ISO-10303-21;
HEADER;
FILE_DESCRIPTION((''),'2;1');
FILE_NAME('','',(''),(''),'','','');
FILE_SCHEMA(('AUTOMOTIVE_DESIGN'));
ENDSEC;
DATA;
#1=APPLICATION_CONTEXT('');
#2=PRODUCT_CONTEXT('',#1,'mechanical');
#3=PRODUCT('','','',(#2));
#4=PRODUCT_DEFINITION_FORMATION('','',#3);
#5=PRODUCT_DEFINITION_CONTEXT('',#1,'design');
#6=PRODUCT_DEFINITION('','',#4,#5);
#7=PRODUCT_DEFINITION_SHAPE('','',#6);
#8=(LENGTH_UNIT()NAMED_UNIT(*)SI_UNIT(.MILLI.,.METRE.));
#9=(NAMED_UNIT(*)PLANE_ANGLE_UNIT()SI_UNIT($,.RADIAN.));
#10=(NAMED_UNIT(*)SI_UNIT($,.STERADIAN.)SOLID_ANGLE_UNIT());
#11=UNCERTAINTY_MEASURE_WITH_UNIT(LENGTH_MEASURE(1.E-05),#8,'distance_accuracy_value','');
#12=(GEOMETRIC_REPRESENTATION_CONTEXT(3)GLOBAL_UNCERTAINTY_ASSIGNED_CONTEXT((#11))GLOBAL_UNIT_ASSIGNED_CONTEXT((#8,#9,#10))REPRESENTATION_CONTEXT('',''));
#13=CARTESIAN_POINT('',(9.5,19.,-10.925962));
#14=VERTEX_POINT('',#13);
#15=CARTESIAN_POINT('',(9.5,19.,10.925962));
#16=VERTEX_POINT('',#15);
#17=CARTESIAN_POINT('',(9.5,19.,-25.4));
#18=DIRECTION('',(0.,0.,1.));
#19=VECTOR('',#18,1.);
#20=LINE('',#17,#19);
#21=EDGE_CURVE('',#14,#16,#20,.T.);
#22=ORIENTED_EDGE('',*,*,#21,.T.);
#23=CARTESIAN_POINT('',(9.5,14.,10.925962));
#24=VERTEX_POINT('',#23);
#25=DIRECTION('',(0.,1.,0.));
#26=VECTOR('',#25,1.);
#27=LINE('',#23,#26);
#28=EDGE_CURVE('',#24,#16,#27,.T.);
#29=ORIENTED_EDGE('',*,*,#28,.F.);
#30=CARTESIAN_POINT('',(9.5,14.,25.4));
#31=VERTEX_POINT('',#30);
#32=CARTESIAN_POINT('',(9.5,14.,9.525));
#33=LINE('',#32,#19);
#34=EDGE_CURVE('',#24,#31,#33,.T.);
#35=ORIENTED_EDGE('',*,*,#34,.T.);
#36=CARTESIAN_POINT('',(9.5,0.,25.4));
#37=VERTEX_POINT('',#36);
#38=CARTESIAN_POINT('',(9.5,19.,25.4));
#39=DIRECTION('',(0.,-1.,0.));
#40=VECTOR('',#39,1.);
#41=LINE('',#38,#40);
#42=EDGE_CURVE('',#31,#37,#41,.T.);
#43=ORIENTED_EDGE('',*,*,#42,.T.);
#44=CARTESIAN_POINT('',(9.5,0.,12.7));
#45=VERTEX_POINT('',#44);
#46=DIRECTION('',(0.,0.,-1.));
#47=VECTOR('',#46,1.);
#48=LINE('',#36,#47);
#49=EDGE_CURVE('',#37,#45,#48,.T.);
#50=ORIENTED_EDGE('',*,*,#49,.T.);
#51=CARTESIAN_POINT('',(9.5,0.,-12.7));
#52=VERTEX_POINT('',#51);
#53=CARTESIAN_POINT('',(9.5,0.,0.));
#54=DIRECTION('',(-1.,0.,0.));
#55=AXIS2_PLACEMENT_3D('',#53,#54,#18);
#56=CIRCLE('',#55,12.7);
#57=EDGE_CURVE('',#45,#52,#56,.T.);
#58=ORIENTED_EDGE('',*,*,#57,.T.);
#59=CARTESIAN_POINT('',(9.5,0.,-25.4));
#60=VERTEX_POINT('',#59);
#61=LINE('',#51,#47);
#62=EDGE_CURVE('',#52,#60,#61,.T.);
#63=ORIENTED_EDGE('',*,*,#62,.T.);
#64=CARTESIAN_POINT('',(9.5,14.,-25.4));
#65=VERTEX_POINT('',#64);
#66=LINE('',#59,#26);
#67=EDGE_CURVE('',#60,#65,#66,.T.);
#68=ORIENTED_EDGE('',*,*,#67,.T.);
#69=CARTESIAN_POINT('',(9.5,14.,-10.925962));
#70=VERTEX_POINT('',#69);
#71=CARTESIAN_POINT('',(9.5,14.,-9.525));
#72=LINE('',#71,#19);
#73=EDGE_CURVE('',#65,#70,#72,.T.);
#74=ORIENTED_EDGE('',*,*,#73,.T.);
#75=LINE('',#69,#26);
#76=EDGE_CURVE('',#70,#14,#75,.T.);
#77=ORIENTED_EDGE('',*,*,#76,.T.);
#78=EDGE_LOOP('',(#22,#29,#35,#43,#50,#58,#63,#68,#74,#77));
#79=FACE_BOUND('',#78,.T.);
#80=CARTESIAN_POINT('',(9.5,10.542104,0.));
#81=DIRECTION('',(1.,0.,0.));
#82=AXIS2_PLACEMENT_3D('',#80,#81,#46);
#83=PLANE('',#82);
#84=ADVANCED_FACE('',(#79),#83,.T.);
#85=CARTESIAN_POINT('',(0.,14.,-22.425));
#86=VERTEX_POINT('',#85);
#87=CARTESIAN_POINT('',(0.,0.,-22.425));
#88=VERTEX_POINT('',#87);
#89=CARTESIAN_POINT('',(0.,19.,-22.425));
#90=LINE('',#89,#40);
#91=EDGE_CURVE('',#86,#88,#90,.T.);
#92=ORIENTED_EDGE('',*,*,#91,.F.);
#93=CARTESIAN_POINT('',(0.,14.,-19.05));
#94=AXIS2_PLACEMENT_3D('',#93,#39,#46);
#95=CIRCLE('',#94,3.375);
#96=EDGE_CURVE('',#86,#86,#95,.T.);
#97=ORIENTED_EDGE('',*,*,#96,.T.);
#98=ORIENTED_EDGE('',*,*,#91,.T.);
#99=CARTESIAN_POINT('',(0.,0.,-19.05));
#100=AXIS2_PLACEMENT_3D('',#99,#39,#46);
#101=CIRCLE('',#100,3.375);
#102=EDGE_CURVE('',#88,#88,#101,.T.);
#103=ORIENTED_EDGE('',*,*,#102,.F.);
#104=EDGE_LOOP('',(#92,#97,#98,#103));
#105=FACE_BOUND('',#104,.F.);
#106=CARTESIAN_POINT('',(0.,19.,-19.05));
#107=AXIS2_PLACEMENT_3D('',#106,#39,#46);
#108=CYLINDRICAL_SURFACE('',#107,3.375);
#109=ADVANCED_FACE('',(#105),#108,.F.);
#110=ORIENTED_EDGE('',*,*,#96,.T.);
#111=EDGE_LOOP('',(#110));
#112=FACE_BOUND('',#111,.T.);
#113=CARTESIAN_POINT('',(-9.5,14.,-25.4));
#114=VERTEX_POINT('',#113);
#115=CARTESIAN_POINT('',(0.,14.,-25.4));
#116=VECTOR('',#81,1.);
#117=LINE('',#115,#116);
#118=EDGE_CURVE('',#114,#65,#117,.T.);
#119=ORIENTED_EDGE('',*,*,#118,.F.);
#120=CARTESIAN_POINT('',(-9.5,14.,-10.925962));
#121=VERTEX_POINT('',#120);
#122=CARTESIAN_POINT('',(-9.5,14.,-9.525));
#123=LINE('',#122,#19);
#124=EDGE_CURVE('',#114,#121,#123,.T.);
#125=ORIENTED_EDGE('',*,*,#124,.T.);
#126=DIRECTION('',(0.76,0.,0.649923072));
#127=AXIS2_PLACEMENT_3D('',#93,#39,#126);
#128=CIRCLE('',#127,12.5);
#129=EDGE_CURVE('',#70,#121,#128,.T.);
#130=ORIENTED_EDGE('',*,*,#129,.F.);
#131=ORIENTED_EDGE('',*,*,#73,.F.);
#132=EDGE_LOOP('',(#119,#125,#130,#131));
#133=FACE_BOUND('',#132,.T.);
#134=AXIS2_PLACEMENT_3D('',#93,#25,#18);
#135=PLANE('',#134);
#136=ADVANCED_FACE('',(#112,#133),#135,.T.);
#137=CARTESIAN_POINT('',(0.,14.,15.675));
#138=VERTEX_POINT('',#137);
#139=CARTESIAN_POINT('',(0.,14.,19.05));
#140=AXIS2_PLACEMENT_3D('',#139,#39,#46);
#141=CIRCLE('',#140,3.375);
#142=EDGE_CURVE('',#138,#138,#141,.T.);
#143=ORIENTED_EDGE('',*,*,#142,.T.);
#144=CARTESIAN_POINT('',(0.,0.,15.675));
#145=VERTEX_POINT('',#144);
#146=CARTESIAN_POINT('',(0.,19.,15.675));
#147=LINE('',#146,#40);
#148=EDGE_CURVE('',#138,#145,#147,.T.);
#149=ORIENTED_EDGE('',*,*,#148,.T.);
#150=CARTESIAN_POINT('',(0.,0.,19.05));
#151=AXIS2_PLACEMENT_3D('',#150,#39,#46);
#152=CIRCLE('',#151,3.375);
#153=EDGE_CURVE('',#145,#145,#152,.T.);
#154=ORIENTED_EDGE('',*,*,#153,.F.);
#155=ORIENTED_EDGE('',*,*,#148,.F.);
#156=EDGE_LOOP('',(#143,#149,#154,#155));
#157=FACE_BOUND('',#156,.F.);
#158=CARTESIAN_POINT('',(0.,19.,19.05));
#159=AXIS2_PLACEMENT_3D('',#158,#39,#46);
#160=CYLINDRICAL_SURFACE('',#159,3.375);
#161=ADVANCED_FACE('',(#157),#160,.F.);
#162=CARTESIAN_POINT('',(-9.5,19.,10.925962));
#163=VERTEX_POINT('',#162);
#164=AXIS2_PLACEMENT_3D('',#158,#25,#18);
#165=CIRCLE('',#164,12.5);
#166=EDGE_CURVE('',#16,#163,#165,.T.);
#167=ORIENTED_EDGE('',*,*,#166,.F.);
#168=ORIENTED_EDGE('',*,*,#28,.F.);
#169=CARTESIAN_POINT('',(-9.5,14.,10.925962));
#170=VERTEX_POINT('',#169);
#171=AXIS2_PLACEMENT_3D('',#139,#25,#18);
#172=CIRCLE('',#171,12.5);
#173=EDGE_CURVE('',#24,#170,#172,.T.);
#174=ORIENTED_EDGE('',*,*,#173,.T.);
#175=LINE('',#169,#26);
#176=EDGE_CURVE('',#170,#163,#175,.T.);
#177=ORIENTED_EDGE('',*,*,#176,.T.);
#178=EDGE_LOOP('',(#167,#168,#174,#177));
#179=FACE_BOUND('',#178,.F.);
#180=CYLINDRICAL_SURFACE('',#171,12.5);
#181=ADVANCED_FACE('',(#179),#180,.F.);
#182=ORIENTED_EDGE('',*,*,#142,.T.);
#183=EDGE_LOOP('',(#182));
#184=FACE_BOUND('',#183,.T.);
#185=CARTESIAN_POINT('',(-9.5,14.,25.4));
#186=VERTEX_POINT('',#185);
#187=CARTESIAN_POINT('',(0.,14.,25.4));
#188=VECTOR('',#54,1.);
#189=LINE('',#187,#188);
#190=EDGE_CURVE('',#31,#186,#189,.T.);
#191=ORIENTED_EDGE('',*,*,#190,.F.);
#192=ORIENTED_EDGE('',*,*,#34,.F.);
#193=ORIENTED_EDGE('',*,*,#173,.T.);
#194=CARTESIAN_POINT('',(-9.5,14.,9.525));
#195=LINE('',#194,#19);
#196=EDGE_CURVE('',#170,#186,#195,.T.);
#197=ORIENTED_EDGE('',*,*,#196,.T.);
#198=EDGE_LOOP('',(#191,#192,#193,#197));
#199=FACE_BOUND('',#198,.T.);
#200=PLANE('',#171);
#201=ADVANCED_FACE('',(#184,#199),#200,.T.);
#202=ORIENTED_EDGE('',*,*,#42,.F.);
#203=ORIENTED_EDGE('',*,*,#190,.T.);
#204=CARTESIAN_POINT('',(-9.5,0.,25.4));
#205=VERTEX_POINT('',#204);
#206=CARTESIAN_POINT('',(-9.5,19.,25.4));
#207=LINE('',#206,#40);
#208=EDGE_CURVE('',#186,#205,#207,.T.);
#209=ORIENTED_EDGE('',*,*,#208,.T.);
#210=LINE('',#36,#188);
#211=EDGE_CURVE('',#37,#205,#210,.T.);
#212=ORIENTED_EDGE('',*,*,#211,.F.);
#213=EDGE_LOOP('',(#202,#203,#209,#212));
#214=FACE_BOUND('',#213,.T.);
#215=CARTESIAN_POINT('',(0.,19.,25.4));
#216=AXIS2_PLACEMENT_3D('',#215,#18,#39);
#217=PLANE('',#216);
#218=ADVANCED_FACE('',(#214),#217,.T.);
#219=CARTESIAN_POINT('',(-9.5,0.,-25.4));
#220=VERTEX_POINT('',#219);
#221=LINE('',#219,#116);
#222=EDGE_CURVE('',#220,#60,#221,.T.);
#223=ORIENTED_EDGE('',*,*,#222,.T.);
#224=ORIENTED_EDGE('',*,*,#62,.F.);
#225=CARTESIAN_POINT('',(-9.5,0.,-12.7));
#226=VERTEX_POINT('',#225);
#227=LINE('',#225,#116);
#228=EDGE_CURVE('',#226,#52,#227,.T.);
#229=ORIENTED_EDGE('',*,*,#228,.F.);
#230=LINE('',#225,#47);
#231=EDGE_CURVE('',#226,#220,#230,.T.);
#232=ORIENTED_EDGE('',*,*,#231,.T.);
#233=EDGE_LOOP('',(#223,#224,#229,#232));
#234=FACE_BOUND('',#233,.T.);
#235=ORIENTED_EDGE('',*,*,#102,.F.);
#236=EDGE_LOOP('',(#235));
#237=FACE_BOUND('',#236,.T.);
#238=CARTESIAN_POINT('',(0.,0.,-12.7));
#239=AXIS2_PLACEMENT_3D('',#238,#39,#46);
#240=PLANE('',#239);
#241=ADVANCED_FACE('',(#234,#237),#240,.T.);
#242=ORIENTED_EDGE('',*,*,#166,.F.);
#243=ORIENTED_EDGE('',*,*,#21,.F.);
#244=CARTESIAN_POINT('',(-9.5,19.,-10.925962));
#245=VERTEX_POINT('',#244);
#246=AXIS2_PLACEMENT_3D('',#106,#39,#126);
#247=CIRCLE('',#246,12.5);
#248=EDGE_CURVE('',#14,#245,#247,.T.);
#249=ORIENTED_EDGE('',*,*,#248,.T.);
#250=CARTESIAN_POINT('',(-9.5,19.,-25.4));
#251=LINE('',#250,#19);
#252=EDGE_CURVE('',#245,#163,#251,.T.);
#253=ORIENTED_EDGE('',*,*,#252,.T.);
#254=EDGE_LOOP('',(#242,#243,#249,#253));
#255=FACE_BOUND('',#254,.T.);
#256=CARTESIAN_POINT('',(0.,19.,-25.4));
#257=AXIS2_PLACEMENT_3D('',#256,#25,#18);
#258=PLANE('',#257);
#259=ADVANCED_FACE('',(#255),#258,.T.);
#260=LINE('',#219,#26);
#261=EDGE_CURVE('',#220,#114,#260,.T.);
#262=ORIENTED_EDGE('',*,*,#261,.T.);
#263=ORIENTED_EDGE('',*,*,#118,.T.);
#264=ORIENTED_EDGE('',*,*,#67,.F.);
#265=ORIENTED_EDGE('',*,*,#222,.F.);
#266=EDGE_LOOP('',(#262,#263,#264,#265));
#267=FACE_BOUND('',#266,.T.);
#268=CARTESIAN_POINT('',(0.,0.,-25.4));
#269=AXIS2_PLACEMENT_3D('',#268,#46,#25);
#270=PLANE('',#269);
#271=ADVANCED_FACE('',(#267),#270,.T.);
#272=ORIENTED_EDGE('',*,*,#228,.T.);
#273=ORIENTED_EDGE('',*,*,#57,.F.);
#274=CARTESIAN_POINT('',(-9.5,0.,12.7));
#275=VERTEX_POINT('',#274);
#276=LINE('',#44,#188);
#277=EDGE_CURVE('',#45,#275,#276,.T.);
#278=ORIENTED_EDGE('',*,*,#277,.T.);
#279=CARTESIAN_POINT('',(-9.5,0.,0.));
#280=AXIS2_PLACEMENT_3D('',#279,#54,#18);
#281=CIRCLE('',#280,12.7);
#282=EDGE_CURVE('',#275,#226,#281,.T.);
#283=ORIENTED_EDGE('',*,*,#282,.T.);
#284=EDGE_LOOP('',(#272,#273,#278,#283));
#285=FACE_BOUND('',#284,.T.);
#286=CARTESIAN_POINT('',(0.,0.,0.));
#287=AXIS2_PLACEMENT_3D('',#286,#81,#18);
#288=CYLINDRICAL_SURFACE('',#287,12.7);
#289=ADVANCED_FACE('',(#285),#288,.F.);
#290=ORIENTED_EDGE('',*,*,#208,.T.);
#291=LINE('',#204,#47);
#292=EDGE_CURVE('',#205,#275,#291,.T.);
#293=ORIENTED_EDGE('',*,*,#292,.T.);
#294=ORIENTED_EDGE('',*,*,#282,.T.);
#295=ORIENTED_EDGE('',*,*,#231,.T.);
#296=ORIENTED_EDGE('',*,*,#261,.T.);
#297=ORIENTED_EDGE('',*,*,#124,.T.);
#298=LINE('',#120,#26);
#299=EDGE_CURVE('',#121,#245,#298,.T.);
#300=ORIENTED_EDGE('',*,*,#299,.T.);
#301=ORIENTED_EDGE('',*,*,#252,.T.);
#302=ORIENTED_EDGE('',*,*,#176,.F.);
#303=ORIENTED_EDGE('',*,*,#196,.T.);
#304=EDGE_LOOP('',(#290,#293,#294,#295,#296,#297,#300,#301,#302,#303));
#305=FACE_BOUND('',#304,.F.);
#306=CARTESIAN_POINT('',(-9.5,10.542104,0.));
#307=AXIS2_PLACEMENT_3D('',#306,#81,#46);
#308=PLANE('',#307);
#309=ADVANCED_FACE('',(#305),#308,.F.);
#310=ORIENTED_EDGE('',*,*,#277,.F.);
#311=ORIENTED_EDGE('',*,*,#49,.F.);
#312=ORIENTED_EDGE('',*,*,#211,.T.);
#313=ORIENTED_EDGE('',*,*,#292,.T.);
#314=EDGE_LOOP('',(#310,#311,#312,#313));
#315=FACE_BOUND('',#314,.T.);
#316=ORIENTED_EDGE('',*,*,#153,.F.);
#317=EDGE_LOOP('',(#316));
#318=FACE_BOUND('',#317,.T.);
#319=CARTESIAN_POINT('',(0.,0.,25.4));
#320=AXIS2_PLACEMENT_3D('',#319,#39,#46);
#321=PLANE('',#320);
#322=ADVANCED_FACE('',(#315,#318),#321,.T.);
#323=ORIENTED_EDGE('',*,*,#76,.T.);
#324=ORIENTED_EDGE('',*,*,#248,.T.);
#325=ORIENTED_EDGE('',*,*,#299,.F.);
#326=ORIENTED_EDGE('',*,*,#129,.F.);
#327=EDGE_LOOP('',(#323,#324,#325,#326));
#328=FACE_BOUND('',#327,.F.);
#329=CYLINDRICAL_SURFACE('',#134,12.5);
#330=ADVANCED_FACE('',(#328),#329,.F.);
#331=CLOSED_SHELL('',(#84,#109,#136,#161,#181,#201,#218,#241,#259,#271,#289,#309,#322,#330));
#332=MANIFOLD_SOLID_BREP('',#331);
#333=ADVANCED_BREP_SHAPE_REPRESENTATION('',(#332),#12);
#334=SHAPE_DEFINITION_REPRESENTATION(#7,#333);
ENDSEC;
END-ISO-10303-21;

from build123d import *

# Parameters (mm, degrees)
BOSS_EXTRUDE1_DEPTH                           = 9.5
CBORE_FOR_M12_HEX_HEAD_CAP_SCREW1_D           = 6.75
CBORE_FOR_M12_HEX_HEAD_CAP_SCREW1_CBORE_D     = 25
CBORE_FOR_M12_HEX_HEAD_CAP_SCREW1_CBORE_DEPTH = 5


with BuildPart() as part:
    # Sketch1 → Boss-Extrude1 (new body, symmetric)
    with BuildSketch(Plane(origin=(0, 0, 0), x_dir=(0, 0, -1), z_dir=(1, 0, 0))):
        with BuildLine():
            ThreePointArc((-12.7, 0), (0, 12.7), (12.7, 0))
            Line((12.7, 0), (25.4, 0))
            Line((25.4, 0), (25.4, 19))
            Line((25.4, 19), (-25.4, 19))
            Line((-25.4, 19), (-25.4, 0))
            Line((-25.4, 0), (-12.7, 0))
        make_face()
    extrude(amount=BOSS_EXTRUDE1_DEPTH, both=True)

    # CBORE for M12 Hex Head Cap Screw1 (through all)
    with Locations(Plane(origin=(0, 19, -19.05), x_dir=(0, 0, 1), z_dir=(0, 1, 0))):
        with Locations((0, 0), (38.1, 0)):
            CounterBoreHole(CBORE_FOR_M12_HEX_HEAD_CAP_SCREW1_D / 2, CBORE_FOR_M12_HEX_HEAD_CAP_SCREW1_CBORE_D / 2, CBORE_FOR_M12_HEX_HEAD_CAP_SCREW1_CBORE_DEPTH)


solid = part.part
